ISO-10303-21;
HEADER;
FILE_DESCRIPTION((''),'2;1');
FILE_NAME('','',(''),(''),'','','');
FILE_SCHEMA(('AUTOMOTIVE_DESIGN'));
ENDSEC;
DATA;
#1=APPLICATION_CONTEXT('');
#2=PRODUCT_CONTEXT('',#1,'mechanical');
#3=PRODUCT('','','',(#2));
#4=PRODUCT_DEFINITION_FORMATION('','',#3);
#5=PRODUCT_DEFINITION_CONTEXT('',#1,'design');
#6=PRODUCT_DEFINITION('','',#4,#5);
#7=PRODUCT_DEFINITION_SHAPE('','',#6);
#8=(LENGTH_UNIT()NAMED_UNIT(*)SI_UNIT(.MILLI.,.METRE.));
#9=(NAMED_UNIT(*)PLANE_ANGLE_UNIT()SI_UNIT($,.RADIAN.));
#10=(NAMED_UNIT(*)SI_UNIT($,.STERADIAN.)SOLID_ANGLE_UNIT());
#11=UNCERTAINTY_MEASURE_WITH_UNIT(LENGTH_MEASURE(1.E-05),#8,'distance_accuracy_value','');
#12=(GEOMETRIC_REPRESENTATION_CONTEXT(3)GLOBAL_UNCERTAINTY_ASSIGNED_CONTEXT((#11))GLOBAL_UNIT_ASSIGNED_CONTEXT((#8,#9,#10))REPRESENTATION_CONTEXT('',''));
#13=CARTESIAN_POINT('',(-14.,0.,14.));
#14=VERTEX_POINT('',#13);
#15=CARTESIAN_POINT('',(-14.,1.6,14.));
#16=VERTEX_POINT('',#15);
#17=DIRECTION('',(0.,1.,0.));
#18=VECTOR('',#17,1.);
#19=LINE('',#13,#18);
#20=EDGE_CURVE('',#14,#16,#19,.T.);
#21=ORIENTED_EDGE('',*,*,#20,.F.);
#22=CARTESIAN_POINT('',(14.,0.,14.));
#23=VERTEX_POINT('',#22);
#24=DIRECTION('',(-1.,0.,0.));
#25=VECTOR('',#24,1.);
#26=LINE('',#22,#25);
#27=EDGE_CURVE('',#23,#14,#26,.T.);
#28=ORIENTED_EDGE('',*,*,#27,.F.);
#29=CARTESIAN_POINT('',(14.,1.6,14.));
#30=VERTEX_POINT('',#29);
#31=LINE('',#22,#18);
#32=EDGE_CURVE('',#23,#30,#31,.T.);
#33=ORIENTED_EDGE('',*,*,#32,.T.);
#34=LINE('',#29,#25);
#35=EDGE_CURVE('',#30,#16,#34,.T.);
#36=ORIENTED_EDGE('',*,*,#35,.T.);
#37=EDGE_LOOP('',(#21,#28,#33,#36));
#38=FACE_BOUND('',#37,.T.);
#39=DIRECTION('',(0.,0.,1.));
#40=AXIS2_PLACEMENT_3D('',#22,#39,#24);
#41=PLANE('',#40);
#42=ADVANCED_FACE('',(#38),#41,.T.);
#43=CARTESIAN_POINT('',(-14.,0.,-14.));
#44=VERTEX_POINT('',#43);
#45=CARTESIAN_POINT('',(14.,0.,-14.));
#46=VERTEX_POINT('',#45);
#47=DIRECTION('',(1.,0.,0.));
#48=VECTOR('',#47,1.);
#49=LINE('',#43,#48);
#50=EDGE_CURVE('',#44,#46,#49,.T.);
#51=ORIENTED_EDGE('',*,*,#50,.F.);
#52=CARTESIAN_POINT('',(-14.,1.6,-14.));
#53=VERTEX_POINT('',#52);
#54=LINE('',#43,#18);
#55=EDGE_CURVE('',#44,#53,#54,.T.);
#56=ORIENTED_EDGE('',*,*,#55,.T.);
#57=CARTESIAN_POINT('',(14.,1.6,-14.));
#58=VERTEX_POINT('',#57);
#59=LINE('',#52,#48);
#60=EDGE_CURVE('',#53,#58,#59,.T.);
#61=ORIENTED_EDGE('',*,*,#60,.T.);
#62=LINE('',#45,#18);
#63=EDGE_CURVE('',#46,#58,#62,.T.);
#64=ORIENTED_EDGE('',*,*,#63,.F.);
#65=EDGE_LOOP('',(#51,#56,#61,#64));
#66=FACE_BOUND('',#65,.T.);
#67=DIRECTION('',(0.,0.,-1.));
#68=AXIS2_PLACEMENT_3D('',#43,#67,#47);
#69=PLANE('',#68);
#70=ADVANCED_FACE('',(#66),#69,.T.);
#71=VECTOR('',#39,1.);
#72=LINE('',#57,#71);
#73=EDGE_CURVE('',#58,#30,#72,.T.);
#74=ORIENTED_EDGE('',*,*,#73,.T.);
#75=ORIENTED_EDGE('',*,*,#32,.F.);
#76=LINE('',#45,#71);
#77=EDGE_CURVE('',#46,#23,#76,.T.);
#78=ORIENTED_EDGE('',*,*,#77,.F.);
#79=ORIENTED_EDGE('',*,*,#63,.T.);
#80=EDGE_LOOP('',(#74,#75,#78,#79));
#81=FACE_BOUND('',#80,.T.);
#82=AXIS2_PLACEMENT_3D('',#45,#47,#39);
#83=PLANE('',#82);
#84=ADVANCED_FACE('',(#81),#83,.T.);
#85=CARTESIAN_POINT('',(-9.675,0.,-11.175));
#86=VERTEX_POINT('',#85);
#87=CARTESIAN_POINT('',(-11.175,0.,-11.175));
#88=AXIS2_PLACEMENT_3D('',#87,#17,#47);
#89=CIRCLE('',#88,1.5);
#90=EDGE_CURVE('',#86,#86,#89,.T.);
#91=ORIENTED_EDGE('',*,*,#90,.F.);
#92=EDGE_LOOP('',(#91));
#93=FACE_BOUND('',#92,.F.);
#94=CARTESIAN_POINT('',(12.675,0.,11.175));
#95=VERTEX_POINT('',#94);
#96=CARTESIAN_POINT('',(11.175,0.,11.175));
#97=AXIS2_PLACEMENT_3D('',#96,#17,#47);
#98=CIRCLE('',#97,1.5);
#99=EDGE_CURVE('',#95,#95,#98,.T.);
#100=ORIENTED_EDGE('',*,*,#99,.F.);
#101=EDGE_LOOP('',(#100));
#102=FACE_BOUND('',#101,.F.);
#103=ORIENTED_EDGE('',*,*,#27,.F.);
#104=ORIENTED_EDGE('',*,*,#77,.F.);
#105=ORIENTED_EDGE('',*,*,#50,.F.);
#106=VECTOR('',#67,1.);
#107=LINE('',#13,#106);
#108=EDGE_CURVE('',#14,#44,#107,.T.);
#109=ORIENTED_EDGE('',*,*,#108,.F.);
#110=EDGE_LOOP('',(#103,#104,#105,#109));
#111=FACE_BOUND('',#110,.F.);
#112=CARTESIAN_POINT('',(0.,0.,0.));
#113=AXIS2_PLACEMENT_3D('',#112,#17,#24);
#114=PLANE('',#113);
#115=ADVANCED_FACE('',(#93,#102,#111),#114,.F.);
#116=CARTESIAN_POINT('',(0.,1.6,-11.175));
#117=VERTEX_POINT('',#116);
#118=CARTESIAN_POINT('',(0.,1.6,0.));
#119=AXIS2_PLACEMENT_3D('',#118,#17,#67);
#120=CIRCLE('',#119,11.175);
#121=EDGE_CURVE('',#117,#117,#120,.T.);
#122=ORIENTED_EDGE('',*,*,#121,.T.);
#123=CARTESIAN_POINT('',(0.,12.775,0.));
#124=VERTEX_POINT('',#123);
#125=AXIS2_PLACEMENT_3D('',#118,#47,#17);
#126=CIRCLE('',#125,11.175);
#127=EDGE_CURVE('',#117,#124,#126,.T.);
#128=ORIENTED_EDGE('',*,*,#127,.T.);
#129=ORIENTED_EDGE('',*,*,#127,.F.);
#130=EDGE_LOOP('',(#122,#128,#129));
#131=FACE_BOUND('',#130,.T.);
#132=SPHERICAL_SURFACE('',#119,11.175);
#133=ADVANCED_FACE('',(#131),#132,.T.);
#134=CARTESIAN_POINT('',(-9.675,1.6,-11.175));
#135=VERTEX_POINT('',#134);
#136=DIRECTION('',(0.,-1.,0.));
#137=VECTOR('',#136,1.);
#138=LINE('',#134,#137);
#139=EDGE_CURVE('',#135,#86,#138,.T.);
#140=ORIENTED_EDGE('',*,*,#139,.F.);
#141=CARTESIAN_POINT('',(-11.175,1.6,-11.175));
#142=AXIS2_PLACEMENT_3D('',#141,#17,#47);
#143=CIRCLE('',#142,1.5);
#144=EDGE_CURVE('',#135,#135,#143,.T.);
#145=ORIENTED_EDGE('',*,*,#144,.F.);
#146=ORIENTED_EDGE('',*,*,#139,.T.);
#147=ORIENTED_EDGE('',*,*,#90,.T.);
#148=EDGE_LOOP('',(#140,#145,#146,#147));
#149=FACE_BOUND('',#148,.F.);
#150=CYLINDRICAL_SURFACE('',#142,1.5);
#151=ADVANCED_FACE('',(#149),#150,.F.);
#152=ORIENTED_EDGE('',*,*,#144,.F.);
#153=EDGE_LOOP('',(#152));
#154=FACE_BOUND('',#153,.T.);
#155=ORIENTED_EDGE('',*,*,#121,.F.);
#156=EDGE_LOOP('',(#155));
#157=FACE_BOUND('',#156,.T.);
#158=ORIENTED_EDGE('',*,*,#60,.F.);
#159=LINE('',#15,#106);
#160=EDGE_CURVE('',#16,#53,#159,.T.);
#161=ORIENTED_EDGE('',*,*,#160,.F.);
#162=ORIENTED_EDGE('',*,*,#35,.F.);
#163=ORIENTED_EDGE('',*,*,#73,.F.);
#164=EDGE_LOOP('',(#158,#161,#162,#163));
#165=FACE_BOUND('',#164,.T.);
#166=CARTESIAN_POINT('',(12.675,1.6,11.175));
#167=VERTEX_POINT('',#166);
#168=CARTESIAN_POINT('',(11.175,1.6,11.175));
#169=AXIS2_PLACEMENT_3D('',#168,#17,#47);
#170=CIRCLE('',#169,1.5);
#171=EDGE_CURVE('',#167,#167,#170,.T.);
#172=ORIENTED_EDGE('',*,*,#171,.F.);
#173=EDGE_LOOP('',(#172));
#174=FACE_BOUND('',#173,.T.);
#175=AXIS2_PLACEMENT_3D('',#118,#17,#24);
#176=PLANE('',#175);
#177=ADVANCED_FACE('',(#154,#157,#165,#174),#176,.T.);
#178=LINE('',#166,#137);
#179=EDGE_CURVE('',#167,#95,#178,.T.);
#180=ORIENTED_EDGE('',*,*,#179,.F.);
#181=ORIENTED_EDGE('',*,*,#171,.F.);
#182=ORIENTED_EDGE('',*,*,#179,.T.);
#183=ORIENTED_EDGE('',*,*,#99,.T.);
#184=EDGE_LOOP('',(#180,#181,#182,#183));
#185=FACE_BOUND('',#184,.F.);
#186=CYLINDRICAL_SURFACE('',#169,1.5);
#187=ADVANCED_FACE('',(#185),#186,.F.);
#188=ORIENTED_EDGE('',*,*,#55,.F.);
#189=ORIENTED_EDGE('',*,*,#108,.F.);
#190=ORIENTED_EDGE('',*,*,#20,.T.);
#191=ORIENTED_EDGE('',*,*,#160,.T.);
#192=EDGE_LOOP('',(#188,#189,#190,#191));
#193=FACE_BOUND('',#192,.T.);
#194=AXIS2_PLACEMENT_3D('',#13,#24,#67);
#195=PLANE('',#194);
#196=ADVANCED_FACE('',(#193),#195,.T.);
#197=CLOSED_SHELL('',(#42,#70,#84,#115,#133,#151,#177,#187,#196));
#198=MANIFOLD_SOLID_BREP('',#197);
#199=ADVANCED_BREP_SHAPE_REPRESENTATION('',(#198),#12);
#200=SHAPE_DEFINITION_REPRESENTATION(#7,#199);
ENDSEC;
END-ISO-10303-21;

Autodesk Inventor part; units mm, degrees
ref_plane "YZ Plane" through (0, 0, 0) normal (1, 0, 0) x (0, 1, 0)
ref_plane "XZ Plane" through (0, 0, 0) normal (0, 1, 0) x (-1, 0, 0)
ref_plane "XY Plane" through (0, 0, 0) normal (0, 0, 1) x (1, 0, 0)
sketch "草圖1" plane through (0, 0, 0) normal (0, 1, 0) x (-1, 0, 0)
  line L0 (-14, 14) -> (14, 14)
  line L1 (14, 14) -> (14, -14)
  line L2 (14, -14) -> (-14, -14)
  line L3 (-14, -14) -> (-14, 14)
  line L4 (-14, 14) -> (14, -14) construction
  line L5 (14, 14) -> (-14, -14) construction
  point P0 (0, 0)
  dimension "d0" = 28
  dimension "d1" = 28
extrude "擠出1" add sketch "草圖1" along normal blind 1.6
sketch "草圖2" plane through (0, 0, 0) normal (1, 0, 0) x (0, 1, 0)
  line L0 (1.6, 14) -> (1.6, -14) projected
  circle A0 centre (1.6, 0) radius 11.175
  line L1 (12.775, 0) -> (1.6, 0)
  line L2 (-14.045, 0) -> (17.245, 0) projected
  point P0 (0, 0)
  point P1 (1.6, -11.175)
  dimension "d4" = 22.35
revolve "迴轉1" add sketch "草圖2" angle 360 about axis through (0, -10, 0) along (0, 1, 0) picked at (4.0451, -6.9877) contours L1 A0 L0
sketch "草圖3" plane through (0, 1.6, 0) normal (0, 1, 0) x (1, 0, 0)
  circle A0 centre (0, 0) radius 11.175 projected
  line L0 (14, 14) -> (-14, 14) projected
  line L1 (-14, 14) -> (-14, -14) projected
  line L2 (-14, -14) -> (14, -14) projected
  line L3 (14, -14) -> (14, 14) projected
  line L4 (11.175, -11.175) -> (-11.175, -11.175) construction
  line L5 (-11.175, -11.175) -> (-11.175, 11.175) construction
  line L6 (-11.175, 11.175) -> (11.175, 11.175) construction
  line L7 (11.175, 11.175) -> (11.175, -11.175) construction
  line L8 (11.175, -11.175) -> (-11.175, 11.175) construction
  line L9 (-11.175, -11.175) -> (11.175, 11.175) construction
  circle A1 centre (-11.175, 11.175) radius 1.5
  circle A2 centre (11.175, -11.175) radius 1.5
  dimension "d6" = 3
  dimension "d7" = 3
extrude "擠出2" cut sketch "草圖3" against normal blind 1.6 contours A1 | A2
properties part number "50w led"
